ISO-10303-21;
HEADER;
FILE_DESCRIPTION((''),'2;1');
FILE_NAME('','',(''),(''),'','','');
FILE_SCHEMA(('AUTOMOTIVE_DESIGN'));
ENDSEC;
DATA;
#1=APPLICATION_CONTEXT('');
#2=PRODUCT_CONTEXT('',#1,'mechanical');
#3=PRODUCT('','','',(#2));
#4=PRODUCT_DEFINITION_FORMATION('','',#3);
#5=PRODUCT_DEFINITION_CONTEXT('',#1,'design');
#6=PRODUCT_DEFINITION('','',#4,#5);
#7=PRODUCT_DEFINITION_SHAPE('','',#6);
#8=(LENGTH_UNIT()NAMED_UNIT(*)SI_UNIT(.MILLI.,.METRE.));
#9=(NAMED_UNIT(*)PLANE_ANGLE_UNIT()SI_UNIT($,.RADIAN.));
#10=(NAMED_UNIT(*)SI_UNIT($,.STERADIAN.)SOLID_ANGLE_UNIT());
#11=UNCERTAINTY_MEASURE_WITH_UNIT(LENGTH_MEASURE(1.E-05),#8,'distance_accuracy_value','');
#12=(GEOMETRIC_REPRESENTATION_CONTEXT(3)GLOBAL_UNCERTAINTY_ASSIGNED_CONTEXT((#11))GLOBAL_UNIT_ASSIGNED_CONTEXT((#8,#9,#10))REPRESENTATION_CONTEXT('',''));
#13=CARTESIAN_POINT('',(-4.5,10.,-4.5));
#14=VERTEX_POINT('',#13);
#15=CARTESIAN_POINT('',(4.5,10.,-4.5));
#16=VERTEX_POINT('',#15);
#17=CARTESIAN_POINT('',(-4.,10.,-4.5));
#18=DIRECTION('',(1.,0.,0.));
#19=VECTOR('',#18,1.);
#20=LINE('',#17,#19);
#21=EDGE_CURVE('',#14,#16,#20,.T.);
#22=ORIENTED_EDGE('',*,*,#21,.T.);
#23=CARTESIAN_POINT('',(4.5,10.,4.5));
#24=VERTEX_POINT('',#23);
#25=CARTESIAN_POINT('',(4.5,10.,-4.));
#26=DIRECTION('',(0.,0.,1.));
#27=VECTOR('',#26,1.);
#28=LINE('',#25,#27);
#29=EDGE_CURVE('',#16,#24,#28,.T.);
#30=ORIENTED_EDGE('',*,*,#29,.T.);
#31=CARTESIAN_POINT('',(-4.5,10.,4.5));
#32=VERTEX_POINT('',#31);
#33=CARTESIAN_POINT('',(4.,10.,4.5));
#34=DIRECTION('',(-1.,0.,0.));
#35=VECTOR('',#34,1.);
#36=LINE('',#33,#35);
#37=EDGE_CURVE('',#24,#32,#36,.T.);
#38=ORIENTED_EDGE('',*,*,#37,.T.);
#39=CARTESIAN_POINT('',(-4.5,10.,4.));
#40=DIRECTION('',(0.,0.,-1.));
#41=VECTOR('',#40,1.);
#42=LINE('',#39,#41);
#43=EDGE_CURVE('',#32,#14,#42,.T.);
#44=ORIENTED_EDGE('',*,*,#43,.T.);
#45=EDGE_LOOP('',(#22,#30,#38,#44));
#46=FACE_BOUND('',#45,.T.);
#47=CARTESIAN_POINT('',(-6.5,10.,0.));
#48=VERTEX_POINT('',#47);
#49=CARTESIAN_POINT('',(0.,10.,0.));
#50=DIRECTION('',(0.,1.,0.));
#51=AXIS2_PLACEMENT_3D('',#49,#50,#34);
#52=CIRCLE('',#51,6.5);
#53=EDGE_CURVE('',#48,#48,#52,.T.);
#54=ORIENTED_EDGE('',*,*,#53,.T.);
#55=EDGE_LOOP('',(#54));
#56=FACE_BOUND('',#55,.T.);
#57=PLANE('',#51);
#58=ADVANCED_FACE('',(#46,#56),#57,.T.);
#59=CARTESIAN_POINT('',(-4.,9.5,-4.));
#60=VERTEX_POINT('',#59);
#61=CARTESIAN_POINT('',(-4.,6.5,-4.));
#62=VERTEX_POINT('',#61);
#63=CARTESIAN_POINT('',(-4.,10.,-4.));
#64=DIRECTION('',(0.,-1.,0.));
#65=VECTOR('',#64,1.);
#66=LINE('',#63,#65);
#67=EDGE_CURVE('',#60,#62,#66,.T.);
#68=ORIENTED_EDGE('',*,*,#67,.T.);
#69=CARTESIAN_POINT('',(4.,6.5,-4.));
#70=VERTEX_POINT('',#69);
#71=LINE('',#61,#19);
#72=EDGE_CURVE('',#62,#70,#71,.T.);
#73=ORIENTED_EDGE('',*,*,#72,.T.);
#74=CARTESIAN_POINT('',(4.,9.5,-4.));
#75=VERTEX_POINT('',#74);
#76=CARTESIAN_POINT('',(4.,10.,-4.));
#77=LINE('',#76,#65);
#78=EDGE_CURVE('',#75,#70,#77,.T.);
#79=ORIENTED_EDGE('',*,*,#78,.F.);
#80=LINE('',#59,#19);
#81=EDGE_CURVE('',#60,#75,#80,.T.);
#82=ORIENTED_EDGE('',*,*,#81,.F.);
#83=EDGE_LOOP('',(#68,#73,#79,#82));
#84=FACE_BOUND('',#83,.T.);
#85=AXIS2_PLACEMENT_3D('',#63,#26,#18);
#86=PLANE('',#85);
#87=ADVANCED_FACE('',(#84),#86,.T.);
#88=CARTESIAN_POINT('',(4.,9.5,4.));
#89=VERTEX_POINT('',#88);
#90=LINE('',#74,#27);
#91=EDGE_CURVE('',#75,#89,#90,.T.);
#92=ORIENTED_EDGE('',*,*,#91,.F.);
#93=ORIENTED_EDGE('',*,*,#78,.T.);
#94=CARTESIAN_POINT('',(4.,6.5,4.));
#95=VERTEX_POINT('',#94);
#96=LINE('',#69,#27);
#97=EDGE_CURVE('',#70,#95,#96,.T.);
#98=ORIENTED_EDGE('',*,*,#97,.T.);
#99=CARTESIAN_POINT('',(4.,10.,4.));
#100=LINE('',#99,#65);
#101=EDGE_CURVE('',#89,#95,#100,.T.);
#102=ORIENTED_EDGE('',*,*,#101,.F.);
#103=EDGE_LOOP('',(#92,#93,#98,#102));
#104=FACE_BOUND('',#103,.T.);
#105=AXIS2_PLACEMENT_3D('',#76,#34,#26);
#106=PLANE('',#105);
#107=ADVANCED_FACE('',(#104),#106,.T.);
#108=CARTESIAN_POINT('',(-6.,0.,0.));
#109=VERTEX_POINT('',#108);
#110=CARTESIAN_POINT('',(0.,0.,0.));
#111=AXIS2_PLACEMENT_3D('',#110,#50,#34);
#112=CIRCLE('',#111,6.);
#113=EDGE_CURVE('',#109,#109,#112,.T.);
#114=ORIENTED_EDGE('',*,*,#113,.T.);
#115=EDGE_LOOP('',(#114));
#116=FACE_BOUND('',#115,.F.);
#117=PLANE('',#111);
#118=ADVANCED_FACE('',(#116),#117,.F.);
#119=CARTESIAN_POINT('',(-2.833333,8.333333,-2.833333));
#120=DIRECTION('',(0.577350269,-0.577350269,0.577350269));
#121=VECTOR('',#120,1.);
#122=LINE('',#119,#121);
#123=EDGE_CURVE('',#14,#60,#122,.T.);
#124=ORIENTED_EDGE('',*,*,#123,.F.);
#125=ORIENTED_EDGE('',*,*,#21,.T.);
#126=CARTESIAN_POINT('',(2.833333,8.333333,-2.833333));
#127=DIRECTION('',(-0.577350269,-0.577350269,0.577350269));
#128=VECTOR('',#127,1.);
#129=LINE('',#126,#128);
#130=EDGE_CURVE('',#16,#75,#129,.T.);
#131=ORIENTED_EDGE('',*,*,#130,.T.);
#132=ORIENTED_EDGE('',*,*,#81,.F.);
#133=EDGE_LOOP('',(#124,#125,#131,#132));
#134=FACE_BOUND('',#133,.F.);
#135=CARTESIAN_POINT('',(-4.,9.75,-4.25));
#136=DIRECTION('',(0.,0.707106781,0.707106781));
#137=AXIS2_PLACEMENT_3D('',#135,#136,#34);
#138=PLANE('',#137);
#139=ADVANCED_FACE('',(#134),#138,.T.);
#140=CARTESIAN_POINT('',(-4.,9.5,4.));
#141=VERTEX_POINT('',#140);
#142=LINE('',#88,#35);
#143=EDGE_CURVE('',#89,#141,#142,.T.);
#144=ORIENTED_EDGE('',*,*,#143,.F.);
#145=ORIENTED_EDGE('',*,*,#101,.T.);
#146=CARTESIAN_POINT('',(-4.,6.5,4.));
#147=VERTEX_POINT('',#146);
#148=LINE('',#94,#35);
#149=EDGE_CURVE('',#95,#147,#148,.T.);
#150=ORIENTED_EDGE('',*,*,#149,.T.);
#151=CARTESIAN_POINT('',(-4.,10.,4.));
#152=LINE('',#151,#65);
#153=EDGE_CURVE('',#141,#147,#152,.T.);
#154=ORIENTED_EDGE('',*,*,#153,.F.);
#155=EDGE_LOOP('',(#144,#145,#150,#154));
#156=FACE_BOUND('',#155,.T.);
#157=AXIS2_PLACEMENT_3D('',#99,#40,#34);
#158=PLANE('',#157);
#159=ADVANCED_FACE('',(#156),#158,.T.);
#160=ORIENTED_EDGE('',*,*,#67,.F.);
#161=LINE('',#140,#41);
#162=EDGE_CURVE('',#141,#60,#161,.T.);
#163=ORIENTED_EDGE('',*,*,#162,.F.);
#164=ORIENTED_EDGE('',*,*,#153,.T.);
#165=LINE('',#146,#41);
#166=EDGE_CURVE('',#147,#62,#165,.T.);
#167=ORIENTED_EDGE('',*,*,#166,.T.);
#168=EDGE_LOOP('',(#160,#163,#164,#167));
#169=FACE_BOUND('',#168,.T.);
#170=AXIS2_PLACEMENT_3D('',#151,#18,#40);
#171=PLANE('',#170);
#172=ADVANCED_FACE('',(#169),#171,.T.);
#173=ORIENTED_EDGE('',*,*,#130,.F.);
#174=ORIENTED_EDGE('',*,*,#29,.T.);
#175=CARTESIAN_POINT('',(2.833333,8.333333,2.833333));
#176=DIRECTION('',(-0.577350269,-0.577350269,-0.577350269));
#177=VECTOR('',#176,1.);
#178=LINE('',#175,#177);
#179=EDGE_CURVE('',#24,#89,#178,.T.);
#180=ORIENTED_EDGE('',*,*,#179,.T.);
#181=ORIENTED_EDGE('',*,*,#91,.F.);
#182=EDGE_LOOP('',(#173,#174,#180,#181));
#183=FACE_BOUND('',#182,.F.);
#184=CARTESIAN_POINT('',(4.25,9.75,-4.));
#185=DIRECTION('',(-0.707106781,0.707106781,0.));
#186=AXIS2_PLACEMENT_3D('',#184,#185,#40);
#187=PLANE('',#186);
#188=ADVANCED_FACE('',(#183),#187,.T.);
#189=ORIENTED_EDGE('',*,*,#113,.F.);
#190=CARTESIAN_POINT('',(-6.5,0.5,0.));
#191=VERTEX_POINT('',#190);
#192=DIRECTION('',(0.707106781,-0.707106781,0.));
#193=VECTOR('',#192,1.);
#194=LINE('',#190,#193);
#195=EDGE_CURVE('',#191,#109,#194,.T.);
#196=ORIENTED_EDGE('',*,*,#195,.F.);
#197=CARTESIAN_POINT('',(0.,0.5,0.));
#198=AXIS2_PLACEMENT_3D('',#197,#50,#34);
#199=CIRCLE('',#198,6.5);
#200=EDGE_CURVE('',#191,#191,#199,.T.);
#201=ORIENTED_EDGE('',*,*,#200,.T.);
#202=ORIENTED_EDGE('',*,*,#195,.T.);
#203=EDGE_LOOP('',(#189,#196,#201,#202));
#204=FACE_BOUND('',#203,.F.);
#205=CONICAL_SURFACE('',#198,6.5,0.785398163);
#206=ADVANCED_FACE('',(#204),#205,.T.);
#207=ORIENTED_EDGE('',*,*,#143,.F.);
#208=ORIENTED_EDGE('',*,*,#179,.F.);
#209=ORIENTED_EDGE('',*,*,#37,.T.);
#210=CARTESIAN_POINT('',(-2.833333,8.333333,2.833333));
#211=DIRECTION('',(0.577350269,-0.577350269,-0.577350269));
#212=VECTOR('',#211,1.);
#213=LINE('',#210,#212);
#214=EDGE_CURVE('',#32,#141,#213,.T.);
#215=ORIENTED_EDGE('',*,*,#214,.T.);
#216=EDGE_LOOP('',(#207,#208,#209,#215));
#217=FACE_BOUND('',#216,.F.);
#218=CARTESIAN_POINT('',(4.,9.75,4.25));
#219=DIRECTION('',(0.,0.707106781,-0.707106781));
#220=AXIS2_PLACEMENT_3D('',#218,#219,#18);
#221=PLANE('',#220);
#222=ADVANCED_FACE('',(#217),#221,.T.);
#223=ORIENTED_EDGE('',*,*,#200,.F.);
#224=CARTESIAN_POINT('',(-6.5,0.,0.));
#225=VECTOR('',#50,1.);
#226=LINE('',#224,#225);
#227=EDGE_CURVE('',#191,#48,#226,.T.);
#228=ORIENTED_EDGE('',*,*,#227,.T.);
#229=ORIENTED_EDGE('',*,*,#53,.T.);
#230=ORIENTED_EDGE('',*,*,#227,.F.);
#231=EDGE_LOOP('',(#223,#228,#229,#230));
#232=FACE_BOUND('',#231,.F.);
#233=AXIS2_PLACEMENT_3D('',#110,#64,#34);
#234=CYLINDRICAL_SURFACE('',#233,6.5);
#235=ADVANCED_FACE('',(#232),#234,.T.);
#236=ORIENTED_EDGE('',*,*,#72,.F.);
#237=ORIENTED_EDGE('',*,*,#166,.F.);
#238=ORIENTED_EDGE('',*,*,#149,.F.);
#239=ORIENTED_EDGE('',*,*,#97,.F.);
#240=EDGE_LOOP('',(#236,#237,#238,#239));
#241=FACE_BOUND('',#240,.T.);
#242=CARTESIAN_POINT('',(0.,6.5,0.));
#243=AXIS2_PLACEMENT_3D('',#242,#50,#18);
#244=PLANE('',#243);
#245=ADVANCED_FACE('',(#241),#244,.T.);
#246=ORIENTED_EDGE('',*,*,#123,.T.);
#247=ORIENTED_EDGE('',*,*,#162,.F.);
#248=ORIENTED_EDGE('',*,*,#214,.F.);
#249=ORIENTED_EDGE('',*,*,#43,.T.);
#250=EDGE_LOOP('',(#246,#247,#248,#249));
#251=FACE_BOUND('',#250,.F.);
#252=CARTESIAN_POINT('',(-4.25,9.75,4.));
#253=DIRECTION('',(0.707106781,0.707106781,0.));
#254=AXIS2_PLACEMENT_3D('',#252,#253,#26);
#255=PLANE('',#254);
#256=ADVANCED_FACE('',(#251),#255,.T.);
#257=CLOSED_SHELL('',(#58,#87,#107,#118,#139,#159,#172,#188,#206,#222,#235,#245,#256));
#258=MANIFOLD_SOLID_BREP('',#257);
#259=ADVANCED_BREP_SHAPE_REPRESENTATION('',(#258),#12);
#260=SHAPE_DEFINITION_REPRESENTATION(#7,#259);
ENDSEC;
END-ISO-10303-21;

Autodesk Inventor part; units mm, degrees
ref_plane "YZ Plane" through (0, 0, 0) normal (1, 0, 0) x (0, 1, 0)
ref_plane "XZ Plane" through (0, 0, 0) normal (0, 1, 0) x (-1, 0, 0)
ref_plane "XY Plane" through (0, 0, 0) normal (0, 0, 1) x (1, 0, 0)
sketch "Szkic1" plane through (0, 0, 0) normal (0, 1, 0) x (-1, 0, 0)
  circle A0 centre (0, 0) radius 6.5
  dimension "d0" = 13
extrude "Wyciągnięcie proste1" add sketch "Szkic1" along normal blind 10
sketch "Szkic2" plane through (0, 10, 0) normal (0, 1, 0) x (1, 0, 0)
  circle A0 centre (0, 0) radius 6.5 projected
  line L0 (4, -4) -> (-4, -4)
  line L1 (-4, -4) -> (-4, 4)
  line L2 (-4, 4) -> (4, 4)
  line L3 (4, 4) -> (4, -4)
  line L4 (4, -4) -> (-4, 4) construction
  line L5 (-4, -4) -> (4, 4) construction
  dimension "d3" = 8
  dimension "d4" = 8
extrude "Wyciągnięcie proste2" cut sketch "Szkic2" against normal blind 3.5 contours L0 L1 L2 L3
chamfer "Faza1" distance 0.5 angle 45 4 edges at (-4, 10, 0) (0, 10, 4) (4, 10, 0) (0, 10, -4)
chamfer "Faza2" distance 0.5 angle 45 1 edges at (6.5, 0, 0)
properties part number "koncowka z miejscem na magnes neodymowy 7x7x3"
